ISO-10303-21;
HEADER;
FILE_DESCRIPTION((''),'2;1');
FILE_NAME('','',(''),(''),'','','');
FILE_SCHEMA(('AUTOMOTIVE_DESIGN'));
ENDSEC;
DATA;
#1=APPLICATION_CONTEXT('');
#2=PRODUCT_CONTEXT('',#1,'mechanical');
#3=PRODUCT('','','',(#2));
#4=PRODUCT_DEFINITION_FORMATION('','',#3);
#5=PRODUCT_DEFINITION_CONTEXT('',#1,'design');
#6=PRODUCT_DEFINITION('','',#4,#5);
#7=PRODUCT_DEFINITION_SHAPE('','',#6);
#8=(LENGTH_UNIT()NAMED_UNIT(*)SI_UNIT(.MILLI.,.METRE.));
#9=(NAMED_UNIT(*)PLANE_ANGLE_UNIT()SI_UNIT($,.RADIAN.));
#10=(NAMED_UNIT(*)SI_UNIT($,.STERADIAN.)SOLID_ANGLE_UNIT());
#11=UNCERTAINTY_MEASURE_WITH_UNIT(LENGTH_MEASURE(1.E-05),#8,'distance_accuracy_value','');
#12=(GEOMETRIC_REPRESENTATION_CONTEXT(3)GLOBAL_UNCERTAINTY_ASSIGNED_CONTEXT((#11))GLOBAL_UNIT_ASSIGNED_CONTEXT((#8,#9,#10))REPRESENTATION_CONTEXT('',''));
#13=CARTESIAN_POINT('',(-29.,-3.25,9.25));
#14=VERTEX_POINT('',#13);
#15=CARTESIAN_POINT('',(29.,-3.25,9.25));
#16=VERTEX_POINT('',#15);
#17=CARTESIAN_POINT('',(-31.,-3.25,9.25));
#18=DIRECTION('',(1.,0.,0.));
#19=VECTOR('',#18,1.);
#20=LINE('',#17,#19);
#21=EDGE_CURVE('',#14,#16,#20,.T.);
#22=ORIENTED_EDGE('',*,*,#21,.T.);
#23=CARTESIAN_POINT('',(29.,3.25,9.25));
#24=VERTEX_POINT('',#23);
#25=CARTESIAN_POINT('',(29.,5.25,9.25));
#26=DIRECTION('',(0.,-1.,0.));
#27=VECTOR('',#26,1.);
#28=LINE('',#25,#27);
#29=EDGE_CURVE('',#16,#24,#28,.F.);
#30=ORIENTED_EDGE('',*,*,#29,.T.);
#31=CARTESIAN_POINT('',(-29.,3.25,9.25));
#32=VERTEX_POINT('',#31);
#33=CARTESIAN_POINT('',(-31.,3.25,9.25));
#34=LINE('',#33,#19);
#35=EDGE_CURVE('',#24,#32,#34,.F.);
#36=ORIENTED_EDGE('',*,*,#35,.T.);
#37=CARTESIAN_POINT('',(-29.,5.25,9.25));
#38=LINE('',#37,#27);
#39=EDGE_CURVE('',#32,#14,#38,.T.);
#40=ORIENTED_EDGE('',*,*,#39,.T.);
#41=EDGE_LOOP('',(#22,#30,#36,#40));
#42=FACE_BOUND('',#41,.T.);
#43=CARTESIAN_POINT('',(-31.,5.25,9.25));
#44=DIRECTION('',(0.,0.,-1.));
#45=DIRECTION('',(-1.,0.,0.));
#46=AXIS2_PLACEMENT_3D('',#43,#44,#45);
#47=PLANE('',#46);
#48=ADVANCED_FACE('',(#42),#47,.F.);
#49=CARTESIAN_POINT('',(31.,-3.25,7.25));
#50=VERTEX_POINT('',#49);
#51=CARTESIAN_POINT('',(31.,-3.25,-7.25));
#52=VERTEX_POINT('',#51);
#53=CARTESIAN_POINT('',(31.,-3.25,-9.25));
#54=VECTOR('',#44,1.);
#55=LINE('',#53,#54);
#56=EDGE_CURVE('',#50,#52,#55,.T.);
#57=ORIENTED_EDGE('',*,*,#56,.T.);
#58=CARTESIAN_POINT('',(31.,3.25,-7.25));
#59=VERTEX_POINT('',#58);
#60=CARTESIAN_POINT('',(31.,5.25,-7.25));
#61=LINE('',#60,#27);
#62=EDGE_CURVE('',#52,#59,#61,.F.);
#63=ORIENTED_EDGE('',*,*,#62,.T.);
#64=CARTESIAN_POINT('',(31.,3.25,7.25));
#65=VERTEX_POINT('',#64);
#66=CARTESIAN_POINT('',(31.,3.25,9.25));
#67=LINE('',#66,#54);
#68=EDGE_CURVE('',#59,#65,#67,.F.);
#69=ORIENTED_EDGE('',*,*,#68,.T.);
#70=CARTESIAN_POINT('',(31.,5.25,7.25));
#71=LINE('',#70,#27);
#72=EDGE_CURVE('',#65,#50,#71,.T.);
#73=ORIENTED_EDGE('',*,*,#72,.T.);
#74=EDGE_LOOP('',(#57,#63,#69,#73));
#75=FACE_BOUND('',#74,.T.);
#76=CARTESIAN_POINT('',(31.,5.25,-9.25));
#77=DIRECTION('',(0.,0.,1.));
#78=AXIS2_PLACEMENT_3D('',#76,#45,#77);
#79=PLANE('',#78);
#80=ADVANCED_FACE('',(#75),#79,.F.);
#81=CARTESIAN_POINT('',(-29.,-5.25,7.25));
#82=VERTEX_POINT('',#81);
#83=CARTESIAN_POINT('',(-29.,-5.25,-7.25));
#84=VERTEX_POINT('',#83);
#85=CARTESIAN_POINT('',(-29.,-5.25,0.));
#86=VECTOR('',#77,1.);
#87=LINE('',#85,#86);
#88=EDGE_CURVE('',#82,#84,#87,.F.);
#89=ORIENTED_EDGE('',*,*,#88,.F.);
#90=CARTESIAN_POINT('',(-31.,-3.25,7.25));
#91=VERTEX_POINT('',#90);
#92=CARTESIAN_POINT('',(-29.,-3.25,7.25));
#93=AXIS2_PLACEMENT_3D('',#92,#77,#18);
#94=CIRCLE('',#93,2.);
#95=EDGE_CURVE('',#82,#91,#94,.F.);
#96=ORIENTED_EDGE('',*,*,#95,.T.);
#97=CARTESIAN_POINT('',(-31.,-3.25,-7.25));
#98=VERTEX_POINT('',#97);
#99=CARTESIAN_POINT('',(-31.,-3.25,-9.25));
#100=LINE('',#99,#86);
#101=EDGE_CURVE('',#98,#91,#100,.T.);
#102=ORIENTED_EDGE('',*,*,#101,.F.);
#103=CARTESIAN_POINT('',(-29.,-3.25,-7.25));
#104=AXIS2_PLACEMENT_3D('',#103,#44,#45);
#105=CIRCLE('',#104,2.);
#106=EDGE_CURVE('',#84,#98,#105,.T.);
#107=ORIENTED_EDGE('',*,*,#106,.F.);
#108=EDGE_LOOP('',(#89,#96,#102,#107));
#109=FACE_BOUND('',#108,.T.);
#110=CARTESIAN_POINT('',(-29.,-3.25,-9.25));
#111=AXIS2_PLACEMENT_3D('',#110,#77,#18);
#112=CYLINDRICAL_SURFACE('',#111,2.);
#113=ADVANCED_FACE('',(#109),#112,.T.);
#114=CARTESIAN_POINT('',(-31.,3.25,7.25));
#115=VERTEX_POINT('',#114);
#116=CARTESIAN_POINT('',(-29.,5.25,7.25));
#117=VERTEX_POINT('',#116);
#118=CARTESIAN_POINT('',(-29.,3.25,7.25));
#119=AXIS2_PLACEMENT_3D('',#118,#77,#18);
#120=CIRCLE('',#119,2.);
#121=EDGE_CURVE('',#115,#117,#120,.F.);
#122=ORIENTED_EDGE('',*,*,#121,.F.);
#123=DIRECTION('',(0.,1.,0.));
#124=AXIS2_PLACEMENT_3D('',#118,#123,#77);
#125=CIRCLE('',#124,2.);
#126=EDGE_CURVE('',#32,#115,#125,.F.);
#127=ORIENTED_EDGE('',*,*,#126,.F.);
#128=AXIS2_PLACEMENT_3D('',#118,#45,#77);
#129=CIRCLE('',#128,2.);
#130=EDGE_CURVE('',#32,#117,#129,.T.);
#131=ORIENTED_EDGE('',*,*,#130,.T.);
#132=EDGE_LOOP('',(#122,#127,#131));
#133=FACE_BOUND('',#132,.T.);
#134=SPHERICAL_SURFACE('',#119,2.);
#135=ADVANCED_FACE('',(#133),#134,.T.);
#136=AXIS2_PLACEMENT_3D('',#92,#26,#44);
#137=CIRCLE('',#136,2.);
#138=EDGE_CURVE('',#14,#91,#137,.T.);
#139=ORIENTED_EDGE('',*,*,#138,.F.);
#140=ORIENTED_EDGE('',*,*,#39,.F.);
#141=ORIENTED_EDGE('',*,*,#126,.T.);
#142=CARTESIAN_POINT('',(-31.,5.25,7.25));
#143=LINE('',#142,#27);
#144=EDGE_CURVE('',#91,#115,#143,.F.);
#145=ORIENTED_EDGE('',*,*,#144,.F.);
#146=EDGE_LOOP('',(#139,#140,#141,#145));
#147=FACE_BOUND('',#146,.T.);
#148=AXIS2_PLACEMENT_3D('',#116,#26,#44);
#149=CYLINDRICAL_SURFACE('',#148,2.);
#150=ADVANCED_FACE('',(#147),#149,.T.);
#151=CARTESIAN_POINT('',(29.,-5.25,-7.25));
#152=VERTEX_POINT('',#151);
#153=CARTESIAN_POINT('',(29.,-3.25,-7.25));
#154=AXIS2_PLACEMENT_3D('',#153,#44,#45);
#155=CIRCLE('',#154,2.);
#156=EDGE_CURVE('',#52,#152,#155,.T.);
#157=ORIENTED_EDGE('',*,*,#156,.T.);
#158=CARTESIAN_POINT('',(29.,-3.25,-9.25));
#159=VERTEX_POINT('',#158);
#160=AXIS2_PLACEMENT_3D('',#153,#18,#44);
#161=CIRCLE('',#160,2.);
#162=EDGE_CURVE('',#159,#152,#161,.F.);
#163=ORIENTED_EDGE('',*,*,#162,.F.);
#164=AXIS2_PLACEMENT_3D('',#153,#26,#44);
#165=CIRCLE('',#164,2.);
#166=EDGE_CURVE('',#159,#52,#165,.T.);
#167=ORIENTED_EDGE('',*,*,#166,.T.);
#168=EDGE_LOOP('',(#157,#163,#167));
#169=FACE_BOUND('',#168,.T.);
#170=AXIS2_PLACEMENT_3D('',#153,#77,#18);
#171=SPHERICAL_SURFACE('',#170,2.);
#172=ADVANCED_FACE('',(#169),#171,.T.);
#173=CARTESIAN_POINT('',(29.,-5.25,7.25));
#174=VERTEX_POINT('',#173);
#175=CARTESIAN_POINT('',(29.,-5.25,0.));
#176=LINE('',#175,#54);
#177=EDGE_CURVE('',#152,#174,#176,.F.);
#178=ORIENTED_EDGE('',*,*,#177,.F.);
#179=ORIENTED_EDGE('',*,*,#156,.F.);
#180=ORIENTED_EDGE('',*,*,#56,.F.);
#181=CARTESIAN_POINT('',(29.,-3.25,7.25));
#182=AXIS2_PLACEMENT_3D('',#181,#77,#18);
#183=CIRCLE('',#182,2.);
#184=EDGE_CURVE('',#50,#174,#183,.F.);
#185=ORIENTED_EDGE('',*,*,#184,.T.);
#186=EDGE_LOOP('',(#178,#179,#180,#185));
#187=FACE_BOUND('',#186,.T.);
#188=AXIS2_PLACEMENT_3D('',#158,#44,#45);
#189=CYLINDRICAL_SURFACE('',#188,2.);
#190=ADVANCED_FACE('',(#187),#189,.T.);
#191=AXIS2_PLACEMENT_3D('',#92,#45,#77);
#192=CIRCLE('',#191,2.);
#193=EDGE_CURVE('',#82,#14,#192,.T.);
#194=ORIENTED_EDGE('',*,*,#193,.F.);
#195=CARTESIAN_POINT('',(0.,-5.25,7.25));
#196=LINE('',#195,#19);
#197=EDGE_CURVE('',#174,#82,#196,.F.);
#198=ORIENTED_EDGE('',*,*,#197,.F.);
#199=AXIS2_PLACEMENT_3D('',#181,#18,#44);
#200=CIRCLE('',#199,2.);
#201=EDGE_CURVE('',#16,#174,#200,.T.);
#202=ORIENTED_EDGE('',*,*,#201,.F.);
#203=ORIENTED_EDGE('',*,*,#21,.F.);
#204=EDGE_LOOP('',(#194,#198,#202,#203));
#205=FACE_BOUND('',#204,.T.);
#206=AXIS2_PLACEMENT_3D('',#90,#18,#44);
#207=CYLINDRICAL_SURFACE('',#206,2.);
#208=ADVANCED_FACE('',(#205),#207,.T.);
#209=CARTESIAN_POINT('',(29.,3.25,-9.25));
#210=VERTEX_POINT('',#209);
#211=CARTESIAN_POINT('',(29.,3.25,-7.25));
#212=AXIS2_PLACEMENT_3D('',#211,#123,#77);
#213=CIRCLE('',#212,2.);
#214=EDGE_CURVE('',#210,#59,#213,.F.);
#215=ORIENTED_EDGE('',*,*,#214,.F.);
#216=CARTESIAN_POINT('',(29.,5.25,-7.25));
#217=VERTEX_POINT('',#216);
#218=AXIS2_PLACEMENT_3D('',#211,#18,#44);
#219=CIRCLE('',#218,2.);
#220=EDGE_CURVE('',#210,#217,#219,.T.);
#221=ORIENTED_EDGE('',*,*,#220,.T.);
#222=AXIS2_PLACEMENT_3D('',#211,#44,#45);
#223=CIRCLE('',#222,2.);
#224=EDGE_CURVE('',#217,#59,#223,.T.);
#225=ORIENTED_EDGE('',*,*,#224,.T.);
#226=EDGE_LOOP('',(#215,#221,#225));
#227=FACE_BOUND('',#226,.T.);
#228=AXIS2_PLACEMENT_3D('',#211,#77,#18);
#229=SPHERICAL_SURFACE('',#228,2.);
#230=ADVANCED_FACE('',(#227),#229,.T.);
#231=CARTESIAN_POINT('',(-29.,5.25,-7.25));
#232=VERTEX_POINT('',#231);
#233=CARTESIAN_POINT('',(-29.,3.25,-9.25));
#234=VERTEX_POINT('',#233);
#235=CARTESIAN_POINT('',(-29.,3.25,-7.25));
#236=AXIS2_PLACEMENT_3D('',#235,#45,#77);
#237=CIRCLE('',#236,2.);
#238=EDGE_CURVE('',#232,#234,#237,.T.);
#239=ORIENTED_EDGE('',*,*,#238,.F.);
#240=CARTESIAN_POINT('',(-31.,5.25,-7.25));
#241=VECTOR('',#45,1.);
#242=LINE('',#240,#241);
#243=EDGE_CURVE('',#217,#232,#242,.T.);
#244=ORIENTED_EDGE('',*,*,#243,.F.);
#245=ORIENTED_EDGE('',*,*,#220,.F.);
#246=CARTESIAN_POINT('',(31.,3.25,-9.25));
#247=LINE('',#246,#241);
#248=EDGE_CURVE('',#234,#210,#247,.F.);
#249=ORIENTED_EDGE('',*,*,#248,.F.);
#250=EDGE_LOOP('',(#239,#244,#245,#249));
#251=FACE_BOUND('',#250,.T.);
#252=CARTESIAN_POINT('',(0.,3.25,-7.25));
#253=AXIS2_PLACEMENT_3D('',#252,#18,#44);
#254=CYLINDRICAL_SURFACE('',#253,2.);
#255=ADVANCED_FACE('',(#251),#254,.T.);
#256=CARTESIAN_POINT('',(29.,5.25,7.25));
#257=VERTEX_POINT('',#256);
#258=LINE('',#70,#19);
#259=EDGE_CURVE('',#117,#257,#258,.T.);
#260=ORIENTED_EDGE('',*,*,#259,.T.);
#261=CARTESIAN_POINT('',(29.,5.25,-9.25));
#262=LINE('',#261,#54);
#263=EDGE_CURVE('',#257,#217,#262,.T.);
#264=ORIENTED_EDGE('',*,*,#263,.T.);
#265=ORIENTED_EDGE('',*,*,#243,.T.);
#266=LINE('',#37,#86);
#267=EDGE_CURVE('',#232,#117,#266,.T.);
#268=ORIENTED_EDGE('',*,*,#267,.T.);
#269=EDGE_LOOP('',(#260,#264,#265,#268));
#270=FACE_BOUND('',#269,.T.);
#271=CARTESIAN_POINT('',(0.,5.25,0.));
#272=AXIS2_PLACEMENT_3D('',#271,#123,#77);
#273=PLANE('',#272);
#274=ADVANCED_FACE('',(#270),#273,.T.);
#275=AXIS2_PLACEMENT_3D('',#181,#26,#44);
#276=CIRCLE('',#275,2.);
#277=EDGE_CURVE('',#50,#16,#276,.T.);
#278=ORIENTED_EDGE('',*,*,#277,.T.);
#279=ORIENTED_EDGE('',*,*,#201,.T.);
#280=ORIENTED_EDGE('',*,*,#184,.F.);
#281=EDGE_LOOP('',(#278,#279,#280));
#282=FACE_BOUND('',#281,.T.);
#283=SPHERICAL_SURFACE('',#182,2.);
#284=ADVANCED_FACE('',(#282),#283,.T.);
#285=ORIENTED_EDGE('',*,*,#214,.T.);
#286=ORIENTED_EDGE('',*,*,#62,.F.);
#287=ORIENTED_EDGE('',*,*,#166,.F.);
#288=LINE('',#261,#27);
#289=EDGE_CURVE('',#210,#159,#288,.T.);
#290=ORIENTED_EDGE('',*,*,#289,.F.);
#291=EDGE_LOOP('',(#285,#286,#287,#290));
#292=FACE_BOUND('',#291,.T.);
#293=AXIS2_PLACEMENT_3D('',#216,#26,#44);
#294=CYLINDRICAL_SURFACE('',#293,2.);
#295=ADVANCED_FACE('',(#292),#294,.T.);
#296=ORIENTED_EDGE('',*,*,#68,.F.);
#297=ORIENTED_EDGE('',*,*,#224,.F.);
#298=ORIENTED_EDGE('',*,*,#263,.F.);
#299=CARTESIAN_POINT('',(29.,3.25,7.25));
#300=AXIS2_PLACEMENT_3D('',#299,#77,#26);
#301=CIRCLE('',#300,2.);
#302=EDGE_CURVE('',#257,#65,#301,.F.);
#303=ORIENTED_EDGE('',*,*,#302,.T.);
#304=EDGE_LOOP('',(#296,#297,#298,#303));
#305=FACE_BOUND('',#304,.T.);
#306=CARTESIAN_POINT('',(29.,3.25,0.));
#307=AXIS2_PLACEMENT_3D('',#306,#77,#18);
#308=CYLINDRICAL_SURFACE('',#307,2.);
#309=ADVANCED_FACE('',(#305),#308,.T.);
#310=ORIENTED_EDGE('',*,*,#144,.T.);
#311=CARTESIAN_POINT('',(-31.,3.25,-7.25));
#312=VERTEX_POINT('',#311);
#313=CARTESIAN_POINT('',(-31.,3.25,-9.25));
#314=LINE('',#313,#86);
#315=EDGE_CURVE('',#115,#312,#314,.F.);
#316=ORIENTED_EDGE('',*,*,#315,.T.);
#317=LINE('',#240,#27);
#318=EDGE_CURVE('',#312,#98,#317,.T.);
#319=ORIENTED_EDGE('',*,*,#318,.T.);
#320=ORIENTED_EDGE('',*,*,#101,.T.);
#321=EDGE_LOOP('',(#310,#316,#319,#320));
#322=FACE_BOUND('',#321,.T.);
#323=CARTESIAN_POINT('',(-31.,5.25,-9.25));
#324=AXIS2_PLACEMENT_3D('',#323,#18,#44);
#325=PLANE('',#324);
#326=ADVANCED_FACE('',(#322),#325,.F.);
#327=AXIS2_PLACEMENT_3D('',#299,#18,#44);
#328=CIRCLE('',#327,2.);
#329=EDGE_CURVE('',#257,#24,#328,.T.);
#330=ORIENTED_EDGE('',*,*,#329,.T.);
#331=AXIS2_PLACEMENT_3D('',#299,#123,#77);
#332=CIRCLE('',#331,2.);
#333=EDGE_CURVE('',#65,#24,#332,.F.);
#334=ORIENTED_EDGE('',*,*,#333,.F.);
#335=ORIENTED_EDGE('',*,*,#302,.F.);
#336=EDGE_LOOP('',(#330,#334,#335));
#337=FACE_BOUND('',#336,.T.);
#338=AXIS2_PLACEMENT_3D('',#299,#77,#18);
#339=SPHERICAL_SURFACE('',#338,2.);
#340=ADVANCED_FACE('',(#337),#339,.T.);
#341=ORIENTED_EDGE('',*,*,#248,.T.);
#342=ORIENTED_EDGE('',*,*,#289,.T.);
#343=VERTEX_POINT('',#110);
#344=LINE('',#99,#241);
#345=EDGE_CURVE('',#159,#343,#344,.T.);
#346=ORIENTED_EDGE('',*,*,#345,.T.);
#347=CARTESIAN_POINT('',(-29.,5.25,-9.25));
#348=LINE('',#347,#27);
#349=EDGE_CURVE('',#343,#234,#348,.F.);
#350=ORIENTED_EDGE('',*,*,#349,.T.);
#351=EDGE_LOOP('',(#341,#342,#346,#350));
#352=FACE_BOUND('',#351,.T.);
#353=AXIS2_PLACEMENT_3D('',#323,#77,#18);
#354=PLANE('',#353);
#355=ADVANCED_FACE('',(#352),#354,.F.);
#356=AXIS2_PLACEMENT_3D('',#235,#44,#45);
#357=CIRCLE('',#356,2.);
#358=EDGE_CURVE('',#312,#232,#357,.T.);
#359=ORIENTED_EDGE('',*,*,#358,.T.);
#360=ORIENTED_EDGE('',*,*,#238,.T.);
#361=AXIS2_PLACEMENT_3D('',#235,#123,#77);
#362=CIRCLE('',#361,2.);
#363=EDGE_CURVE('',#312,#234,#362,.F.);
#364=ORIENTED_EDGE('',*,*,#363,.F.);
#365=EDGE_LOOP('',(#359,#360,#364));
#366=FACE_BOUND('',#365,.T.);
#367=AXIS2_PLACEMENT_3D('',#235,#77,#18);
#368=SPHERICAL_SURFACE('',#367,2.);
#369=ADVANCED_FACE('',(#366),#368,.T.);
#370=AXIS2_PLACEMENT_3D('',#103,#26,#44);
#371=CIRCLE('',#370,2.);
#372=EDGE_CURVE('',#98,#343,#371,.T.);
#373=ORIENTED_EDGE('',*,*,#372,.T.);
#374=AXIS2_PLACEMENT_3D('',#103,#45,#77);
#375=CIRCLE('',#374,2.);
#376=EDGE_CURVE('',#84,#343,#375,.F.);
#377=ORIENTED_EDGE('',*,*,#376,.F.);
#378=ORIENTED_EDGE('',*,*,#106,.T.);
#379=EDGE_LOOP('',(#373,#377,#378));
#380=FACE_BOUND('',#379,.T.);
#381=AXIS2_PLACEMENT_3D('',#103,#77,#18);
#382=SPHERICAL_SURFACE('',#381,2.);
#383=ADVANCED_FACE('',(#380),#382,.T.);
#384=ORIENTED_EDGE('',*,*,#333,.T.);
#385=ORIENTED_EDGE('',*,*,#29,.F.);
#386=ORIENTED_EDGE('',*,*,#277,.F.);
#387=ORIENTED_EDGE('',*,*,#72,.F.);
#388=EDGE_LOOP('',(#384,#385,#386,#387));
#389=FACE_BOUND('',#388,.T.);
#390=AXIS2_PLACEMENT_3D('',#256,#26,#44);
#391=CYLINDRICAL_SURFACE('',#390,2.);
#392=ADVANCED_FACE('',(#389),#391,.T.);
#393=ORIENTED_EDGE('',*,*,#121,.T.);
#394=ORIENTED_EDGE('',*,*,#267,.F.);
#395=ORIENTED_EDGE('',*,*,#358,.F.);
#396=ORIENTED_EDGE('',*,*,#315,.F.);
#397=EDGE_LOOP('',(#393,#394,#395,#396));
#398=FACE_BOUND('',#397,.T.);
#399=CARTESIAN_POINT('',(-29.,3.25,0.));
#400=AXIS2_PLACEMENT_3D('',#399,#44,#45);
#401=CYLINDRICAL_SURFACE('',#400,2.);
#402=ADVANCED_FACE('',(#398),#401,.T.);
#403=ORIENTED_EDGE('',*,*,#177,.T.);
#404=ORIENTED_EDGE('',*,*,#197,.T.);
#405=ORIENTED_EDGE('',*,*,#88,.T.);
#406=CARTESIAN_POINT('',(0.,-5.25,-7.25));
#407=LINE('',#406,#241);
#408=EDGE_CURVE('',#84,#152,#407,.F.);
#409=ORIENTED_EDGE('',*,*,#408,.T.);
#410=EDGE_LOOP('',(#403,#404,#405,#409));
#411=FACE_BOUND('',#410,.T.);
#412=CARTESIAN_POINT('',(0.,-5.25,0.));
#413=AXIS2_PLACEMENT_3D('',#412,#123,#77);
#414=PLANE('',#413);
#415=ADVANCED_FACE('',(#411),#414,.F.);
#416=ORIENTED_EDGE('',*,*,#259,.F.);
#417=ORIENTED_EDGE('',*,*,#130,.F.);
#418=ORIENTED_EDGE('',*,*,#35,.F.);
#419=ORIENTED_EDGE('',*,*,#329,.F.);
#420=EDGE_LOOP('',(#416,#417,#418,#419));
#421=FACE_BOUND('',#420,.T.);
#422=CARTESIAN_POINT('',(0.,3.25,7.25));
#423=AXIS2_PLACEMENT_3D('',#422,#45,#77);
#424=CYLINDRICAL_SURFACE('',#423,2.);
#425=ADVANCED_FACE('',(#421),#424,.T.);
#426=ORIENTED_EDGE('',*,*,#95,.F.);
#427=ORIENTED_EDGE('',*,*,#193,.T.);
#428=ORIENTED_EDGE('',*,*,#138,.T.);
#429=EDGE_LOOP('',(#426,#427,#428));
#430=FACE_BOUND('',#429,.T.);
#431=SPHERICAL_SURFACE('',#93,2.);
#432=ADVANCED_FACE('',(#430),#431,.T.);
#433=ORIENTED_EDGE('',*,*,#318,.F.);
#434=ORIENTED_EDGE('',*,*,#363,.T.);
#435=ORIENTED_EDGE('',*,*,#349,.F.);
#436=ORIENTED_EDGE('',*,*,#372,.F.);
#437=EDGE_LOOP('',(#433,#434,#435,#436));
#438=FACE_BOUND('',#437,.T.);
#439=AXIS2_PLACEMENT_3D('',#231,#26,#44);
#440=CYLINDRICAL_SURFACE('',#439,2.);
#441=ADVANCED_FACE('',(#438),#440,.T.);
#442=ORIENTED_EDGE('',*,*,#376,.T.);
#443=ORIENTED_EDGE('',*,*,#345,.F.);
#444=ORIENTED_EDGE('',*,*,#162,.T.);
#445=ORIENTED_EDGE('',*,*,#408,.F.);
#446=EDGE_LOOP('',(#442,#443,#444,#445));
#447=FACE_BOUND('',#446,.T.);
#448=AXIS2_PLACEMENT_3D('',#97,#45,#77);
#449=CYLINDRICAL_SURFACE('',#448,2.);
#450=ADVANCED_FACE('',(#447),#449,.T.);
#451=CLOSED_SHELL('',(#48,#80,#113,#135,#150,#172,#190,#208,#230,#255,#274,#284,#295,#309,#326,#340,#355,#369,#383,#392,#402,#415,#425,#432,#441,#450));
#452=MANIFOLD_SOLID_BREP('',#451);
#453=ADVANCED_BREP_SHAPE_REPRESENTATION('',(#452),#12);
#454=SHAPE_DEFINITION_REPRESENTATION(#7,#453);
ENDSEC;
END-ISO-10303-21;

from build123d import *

# Parameters (mm, degrees)
SKETCH1_W           = 62
SKETCH1_H           = 18.5
BOSS_EXTRUDE1_DEPTH = 5.25
FILLET1_R           = 2


with BuildPart() as part:
    # Sketch1 → Boss-Extrude1 (new body, symmetric)
    with BuildSketch(Plane(origin=(0, 0, 0), x_dir=(1, 0, 0), z_dir=(0, 1, 0))):
        Rectangle(SKETCH1_W, SKETCH1_H)
    extrude(amount=BOSS_EXTRUDE1_DEPTH, both=True)

    # Fillet1
    fillet1_edges = [part.edges().sort_by_distance(p)[0] for p in [
        (-31, 5.25, 0),
        (0, 5.25, 9.25),
        (31, 5.25, 0),
        (0, -5.25, 9.25),
        (-31, -5.25, 0),
        (0, -5.25, -9.25),
        (31, -5.25, 0),
        (31, 0, 9.25),
        (-31, 0, 9.25),
        (-31, 0, -9.25),
        (31, 0, -9.25),
        (0, 5.25, -9.25),
    ]]
    fillet(fillet1_edges, radius=FILLET1_R)


solid = part.part
